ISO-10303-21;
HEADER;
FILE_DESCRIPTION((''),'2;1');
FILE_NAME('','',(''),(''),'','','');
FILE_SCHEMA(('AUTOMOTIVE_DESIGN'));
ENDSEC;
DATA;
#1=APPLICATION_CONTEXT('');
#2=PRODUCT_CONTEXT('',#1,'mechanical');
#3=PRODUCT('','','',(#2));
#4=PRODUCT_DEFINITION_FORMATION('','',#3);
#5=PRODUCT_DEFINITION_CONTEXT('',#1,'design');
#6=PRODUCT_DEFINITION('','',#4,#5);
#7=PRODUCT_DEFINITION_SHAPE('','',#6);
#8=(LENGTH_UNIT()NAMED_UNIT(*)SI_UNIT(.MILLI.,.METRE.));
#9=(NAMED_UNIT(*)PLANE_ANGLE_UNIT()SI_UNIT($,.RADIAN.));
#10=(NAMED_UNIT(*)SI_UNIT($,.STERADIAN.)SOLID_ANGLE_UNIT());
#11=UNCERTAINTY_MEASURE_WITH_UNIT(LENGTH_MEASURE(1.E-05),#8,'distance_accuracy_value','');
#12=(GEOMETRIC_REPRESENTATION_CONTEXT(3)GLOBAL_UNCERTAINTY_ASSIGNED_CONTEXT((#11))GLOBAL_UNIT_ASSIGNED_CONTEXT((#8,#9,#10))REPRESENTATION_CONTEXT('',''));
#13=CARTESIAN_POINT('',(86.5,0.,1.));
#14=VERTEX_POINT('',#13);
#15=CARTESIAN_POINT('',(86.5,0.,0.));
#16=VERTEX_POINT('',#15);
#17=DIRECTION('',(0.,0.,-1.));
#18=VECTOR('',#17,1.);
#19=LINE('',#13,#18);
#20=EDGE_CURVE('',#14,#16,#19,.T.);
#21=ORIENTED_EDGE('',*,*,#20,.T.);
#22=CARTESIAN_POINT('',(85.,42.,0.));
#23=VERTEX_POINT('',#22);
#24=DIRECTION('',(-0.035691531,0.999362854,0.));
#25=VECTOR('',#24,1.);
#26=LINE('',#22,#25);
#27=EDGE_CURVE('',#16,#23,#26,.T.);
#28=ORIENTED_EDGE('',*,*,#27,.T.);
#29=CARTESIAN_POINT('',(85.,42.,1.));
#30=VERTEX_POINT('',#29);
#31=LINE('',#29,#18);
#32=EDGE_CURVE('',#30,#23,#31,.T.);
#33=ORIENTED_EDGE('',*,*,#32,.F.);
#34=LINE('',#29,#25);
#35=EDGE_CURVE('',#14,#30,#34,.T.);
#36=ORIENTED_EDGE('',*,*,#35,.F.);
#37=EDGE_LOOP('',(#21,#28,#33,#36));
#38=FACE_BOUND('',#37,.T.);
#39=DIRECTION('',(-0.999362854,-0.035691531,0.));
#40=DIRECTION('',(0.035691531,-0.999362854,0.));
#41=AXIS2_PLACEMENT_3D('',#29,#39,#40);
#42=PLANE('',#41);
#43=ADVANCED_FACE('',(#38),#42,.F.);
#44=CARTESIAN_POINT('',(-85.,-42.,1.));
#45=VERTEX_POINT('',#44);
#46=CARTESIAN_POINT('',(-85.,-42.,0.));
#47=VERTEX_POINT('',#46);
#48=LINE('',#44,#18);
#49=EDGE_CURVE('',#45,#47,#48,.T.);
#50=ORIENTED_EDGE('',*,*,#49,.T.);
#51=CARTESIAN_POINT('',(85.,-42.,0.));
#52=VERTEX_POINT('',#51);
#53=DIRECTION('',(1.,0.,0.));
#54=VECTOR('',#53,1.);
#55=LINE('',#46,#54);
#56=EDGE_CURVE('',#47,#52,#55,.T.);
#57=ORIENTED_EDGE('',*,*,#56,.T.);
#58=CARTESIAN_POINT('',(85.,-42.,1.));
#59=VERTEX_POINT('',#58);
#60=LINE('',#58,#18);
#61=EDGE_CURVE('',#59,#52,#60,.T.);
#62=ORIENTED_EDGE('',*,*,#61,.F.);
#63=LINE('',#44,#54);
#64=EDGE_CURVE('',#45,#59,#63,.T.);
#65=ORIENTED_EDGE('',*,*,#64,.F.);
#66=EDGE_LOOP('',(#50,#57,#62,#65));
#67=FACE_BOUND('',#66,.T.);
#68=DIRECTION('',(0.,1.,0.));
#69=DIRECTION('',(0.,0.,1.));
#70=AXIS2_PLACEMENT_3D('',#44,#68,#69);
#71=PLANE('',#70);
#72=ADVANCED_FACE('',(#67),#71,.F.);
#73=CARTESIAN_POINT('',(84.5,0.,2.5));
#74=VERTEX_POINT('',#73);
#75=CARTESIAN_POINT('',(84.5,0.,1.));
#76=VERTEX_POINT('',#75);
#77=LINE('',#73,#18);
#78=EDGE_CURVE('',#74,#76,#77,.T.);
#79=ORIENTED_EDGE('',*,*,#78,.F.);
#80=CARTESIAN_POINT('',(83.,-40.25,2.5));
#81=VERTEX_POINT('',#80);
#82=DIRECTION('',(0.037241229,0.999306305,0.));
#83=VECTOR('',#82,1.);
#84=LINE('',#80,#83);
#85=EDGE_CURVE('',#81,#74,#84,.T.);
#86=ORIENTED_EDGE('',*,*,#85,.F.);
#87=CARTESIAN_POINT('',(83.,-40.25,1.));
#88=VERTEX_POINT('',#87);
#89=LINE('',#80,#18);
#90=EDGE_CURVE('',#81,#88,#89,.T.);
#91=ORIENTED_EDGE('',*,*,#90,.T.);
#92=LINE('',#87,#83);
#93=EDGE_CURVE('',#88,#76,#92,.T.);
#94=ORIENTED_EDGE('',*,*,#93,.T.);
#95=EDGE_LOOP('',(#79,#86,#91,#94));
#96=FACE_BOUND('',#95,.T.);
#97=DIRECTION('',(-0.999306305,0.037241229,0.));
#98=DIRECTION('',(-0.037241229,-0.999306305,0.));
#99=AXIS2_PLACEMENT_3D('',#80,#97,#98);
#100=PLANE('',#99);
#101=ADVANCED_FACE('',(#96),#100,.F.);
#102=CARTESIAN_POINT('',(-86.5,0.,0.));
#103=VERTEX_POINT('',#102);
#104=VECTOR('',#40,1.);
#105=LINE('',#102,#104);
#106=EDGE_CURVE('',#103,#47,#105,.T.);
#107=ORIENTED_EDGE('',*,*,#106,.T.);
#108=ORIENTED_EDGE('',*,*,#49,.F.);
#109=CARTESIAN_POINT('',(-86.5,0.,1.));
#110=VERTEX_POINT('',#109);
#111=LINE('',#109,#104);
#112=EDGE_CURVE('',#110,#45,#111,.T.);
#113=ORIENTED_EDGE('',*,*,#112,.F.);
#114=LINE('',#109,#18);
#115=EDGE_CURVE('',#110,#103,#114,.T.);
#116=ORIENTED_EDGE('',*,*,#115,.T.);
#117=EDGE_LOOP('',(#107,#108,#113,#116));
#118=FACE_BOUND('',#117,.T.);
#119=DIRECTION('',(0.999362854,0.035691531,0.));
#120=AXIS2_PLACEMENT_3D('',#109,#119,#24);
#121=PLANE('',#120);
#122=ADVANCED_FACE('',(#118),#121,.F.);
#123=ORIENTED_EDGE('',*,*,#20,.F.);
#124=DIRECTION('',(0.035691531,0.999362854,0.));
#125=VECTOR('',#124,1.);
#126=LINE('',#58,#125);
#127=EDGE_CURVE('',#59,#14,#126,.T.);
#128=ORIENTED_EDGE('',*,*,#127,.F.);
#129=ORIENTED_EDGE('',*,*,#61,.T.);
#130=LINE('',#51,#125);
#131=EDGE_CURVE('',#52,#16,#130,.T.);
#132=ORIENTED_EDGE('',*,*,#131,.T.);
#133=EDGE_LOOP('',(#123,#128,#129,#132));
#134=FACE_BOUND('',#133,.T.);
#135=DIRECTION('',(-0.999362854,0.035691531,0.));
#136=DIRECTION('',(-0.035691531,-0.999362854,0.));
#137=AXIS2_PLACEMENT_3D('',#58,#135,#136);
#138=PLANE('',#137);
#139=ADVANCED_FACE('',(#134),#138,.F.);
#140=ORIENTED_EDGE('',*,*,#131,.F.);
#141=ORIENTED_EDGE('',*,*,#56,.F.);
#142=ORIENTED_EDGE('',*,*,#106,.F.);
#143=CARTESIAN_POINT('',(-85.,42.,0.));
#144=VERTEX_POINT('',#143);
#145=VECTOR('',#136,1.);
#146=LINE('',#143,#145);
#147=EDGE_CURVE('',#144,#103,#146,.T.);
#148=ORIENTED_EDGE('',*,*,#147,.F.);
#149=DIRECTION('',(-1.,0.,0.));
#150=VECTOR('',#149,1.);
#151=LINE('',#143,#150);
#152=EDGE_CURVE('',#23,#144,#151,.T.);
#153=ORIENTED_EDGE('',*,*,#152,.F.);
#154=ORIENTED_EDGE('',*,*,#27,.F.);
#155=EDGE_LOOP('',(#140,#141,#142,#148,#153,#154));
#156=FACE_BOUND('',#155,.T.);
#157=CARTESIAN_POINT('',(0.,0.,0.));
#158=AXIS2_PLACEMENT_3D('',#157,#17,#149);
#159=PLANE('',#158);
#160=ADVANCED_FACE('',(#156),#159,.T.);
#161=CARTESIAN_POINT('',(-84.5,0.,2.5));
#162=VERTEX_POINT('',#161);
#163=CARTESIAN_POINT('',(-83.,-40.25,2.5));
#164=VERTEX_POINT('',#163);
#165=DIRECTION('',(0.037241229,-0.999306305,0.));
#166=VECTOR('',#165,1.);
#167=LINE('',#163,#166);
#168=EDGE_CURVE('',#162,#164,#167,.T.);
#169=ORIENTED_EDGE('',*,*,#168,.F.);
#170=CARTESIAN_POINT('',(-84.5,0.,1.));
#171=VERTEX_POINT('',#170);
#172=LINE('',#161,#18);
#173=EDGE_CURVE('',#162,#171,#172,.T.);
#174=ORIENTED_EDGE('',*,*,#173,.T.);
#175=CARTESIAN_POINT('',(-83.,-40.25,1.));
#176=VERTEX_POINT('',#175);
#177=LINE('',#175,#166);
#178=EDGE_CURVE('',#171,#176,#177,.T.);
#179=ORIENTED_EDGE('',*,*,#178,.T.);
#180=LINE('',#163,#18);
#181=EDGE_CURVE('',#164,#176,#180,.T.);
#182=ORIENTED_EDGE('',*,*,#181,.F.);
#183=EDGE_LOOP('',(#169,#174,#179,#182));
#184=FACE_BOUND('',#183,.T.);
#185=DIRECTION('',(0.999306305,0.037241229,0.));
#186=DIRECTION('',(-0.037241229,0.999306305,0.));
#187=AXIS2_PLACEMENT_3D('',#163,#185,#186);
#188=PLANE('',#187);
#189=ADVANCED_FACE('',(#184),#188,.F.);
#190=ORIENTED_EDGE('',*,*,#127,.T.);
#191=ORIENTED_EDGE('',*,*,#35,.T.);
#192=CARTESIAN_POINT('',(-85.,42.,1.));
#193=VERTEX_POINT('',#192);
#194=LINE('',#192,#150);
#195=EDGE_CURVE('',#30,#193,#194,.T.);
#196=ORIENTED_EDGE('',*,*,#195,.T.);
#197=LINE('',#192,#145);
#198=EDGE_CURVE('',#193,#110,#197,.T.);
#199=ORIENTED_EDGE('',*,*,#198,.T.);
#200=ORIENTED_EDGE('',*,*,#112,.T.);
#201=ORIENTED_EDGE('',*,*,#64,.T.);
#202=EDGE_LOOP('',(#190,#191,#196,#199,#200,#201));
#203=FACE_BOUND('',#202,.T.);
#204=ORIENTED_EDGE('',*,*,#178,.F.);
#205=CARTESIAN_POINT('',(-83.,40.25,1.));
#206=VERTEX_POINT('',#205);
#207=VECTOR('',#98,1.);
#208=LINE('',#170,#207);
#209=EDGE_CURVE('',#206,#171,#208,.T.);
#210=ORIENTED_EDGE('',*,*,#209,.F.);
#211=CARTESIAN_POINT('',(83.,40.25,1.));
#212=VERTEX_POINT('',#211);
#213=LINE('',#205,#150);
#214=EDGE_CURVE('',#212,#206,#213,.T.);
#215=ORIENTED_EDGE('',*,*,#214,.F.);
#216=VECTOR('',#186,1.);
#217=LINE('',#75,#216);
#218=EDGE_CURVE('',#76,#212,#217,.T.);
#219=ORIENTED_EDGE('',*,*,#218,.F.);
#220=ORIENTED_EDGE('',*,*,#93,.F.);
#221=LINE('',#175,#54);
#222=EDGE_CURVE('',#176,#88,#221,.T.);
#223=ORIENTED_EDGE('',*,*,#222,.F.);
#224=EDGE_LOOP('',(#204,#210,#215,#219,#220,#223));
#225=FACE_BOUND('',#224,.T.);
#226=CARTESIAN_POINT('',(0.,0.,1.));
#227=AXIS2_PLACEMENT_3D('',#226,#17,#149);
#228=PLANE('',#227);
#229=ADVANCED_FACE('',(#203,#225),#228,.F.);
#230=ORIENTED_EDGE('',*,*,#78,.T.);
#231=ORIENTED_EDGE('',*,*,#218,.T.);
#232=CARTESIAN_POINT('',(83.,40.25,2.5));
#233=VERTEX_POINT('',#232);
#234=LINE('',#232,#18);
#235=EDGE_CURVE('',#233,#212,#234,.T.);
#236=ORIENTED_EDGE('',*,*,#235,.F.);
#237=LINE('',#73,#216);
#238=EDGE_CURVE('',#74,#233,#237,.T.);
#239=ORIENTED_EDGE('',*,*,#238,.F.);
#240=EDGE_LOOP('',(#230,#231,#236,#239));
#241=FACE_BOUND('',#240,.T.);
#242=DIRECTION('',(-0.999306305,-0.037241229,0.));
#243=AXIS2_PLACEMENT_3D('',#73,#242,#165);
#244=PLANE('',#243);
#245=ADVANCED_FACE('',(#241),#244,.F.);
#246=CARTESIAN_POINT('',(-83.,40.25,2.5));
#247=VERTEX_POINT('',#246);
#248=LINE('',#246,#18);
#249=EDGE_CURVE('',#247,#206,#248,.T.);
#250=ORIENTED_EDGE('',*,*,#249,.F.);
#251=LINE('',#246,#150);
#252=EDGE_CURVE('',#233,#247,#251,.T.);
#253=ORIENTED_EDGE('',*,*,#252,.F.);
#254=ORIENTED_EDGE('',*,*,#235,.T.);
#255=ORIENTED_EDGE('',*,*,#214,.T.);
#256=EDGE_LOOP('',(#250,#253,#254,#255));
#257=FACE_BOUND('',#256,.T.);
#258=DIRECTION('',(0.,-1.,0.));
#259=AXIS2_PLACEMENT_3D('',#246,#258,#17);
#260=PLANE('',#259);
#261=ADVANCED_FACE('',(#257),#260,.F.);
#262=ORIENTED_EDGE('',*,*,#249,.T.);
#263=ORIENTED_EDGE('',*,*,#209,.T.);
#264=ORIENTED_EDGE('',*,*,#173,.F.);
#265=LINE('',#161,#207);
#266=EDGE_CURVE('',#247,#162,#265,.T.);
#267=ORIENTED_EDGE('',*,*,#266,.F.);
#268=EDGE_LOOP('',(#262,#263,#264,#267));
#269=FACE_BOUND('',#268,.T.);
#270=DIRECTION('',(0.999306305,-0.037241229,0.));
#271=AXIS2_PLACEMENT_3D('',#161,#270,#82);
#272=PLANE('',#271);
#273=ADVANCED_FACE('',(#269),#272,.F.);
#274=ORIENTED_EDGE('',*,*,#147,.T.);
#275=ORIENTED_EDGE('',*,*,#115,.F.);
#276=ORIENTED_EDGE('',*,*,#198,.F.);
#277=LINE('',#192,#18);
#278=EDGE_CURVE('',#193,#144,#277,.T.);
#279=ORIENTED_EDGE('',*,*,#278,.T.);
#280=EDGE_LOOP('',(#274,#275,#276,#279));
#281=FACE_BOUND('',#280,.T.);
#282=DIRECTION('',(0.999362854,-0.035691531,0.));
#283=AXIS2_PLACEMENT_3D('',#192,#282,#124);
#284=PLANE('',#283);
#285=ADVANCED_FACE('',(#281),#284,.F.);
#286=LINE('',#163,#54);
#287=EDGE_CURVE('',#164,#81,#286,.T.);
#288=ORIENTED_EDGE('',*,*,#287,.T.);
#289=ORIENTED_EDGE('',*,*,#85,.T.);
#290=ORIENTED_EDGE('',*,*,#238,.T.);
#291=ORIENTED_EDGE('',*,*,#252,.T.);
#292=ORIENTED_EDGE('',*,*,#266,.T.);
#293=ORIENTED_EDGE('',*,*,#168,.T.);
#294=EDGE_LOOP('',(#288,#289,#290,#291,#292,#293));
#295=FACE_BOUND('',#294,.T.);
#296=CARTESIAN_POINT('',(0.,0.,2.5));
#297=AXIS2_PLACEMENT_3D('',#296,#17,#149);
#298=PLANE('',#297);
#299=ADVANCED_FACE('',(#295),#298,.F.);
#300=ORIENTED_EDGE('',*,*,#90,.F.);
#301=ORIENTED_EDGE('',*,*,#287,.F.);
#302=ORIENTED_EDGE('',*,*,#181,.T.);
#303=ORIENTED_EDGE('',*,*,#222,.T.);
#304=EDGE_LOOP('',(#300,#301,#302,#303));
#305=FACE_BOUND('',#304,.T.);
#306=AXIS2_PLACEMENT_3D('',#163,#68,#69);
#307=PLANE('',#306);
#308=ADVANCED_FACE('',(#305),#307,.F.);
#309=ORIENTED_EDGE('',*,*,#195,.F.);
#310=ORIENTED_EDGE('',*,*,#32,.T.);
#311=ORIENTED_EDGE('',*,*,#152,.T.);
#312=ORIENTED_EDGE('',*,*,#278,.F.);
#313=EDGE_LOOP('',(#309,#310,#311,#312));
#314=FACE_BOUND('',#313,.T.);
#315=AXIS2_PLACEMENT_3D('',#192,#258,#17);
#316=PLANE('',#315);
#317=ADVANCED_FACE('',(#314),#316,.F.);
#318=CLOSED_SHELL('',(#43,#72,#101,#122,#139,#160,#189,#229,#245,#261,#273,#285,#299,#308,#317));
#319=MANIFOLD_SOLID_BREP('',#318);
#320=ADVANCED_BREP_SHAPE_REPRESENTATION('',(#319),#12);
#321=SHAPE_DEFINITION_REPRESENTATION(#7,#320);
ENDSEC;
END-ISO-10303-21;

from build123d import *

# Parameters (mm, degrees)
BOSS_EXTRUDE1_DEPTH = 1
BOSS_EXTRUDE2_DEPTH = 1.5


with BuildPart() as part:
    # Sketch1 → Boss-Extrude1 (new body)
    with BuildSketch(Plane.XY):
        Polygon((-85, 42), (85, 42), (86.5, 0), (85, -42), (-85, -42), (-86.5, 0), align=None)
    extrude(amount=BOSS_EXTRUDE1_DEPTH)

    # Sketch2 → Boss-Extrude2 (add)
    with BuildSketch(Plane.XY.offset(1)):
        Polygon((-83, 40.25), (83, 40.25), (84.5, 0), (83, -40.25), (-83, -40.25), (-84.5, 0), align=None)
    extrude(amount=BOSS_EXTRUDE2_DEPTH)


solid = part.part
